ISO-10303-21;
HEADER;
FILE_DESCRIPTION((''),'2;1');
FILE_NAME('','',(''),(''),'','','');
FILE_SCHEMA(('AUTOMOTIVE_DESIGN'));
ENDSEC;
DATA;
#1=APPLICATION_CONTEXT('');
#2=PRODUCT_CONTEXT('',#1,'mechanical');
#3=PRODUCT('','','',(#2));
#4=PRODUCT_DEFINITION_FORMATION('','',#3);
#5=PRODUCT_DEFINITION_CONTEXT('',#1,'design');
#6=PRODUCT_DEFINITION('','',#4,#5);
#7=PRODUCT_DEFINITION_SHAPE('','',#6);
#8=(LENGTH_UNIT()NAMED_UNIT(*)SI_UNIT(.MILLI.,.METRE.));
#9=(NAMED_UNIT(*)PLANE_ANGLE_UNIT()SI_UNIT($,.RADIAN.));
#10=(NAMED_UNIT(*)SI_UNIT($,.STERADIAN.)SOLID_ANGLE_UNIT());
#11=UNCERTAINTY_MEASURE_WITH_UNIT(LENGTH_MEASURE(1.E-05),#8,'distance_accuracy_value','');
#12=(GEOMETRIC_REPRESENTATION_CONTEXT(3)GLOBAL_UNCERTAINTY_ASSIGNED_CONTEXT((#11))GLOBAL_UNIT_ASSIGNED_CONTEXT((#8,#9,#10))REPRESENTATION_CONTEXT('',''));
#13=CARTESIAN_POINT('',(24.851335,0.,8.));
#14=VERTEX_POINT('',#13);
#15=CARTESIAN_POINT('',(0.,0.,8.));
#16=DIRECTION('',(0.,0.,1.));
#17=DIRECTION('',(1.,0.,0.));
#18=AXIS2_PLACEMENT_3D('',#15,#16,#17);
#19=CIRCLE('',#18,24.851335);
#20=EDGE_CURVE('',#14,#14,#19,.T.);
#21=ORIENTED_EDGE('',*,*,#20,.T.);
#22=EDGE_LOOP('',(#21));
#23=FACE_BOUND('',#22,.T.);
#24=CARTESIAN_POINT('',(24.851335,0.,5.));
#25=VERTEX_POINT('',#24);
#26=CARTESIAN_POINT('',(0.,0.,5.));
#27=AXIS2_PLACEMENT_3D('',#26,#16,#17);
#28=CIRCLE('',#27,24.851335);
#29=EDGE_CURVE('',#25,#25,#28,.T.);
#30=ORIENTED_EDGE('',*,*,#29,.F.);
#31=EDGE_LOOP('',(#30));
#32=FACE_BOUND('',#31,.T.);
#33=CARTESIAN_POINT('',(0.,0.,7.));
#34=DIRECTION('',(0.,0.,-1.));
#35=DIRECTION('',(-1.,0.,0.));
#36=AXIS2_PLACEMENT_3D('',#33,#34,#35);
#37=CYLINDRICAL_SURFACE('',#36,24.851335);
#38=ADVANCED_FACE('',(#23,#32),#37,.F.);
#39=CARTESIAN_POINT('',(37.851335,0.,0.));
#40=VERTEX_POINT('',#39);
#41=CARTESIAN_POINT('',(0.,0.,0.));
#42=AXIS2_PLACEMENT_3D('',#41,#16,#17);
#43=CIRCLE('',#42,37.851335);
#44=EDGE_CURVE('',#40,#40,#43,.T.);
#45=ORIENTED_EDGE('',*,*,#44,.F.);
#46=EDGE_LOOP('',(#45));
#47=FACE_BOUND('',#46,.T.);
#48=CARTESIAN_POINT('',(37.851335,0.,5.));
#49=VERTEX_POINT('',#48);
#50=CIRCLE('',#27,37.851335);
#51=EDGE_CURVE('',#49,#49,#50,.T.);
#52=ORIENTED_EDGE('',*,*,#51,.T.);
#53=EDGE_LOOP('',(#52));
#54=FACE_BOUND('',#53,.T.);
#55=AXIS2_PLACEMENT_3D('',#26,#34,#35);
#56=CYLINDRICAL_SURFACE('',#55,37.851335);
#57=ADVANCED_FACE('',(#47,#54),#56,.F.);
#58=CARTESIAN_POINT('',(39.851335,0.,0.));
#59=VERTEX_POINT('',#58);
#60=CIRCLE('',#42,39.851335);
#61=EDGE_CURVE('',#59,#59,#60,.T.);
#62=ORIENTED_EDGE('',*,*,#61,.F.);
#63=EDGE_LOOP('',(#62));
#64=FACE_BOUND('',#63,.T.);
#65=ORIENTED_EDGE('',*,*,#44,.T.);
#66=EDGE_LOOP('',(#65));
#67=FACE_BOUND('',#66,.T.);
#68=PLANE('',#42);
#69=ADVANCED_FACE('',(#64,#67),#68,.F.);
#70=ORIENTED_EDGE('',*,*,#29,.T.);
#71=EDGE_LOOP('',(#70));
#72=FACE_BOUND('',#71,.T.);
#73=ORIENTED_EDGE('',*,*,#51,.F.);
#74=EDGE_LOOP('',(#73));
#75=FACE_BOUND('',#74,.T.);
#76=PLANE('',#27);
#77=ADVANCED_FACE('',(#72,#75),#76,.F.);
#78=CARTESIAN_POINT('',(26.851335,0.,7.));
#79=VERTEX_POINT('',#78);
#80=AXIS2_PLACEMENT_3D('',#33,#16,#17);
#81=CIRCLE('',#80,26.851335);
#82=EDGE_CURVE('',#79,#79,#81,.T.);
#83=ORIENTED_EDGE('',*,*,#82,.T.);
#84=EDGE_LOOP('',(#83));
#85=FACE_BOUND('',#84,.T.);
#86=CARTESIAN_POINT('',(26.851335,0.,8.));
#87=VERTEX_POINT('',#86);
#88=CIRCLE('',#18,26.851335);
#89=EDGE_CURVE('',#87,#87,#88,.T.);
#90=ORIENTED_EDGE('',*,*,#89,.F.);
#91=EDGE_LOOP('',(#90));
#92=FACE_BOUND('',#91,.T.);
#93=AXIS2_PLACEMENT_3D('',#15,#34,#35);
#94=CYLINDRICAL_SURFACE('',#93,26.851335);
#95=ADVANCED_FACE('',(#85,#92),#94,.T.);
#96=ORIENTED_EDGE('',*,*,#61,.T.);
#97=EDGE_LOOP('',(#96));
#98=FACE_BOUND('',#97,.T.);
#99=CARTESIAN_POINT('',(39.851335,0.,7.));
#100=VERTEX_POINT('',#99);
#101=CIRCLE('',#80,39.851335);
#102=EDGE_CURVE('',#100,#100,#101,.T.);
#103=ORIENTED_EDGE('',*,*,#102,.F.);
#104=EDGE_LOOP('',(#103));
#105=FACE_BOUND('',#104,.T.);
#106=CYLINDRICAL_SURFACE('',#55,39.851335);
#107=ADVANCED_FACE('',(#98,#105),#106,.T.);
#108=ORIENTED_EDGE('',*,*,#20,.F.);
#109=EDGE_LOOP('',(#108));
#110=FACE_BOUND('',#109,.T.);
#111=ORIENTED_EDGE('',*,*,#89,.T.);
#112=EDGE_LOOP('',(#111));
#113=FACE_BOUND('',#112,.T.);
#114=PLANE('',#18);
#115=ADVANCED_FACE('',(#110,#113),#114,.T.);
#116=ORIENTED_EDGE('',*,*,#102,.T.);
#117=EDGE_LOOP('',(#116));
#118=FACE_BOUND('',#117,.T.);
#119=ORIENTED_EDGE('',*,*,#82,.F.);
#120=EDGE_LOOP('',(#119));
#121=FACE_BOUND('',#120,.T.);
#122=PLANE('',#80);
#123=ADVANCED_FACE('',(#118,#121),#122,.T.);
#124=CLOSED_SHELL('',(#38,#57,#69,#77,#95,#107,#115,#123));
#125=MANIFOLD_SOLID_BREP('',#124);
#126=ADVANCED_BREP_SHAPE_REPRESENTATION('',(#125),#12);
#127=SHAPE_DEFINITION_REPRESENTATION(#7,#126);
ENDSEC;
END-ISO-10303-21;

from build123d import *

# Parameters (mm, degrees)
SKETCH_1_R      = 39.851335376
SKETCH_1_R_2    = 37.851335376
EXTRUDE_1_DEPTH = 5
SKETCH_2_R      = 39.851335376
SKETCH_2_R_2    = 24.851335376
EXTRUDE_2_DEPTH = 2
SKETCH_3_R      = 26.851335376
SKETCH_3_R_2    = 24.851335376
EXTRUDE_3_DEPTH = 1


with BuildPart() as part:
    # 草图1 → 拉伸-薄壁1 (new body)
    with BuildSketch(Plane.XY):
        Circle(SKETCH_1_R)
        Circle(SKETCH_1_R_2, mode=Mode.SUBTRACT)
    extrude(amount=EXTRUDE_1_DEPTH)

    # 草图2 → 拉伸-薄壁2 (add)
    with BuildSketch(Plane.XY.offset(5)):
        Circle(SKETCH_2_R)
        Circle(SKETCH_2_R_2, mode=Mode.SUBTRACT)
    extrude(amount=EXTRUDE_2_DEPTH)

    # 草图3 → 拉伸-薄壁3 (add)
    with BuildSketch(Plane.XY.offset(7)):
        Circle(SKETCH_3_R)
        Circle(SKETCH_3_R_2, mode=Mode.SUBTRACT)
    extrude(amount=EXTRUDE_3_DEPTH)


solid = part.part
